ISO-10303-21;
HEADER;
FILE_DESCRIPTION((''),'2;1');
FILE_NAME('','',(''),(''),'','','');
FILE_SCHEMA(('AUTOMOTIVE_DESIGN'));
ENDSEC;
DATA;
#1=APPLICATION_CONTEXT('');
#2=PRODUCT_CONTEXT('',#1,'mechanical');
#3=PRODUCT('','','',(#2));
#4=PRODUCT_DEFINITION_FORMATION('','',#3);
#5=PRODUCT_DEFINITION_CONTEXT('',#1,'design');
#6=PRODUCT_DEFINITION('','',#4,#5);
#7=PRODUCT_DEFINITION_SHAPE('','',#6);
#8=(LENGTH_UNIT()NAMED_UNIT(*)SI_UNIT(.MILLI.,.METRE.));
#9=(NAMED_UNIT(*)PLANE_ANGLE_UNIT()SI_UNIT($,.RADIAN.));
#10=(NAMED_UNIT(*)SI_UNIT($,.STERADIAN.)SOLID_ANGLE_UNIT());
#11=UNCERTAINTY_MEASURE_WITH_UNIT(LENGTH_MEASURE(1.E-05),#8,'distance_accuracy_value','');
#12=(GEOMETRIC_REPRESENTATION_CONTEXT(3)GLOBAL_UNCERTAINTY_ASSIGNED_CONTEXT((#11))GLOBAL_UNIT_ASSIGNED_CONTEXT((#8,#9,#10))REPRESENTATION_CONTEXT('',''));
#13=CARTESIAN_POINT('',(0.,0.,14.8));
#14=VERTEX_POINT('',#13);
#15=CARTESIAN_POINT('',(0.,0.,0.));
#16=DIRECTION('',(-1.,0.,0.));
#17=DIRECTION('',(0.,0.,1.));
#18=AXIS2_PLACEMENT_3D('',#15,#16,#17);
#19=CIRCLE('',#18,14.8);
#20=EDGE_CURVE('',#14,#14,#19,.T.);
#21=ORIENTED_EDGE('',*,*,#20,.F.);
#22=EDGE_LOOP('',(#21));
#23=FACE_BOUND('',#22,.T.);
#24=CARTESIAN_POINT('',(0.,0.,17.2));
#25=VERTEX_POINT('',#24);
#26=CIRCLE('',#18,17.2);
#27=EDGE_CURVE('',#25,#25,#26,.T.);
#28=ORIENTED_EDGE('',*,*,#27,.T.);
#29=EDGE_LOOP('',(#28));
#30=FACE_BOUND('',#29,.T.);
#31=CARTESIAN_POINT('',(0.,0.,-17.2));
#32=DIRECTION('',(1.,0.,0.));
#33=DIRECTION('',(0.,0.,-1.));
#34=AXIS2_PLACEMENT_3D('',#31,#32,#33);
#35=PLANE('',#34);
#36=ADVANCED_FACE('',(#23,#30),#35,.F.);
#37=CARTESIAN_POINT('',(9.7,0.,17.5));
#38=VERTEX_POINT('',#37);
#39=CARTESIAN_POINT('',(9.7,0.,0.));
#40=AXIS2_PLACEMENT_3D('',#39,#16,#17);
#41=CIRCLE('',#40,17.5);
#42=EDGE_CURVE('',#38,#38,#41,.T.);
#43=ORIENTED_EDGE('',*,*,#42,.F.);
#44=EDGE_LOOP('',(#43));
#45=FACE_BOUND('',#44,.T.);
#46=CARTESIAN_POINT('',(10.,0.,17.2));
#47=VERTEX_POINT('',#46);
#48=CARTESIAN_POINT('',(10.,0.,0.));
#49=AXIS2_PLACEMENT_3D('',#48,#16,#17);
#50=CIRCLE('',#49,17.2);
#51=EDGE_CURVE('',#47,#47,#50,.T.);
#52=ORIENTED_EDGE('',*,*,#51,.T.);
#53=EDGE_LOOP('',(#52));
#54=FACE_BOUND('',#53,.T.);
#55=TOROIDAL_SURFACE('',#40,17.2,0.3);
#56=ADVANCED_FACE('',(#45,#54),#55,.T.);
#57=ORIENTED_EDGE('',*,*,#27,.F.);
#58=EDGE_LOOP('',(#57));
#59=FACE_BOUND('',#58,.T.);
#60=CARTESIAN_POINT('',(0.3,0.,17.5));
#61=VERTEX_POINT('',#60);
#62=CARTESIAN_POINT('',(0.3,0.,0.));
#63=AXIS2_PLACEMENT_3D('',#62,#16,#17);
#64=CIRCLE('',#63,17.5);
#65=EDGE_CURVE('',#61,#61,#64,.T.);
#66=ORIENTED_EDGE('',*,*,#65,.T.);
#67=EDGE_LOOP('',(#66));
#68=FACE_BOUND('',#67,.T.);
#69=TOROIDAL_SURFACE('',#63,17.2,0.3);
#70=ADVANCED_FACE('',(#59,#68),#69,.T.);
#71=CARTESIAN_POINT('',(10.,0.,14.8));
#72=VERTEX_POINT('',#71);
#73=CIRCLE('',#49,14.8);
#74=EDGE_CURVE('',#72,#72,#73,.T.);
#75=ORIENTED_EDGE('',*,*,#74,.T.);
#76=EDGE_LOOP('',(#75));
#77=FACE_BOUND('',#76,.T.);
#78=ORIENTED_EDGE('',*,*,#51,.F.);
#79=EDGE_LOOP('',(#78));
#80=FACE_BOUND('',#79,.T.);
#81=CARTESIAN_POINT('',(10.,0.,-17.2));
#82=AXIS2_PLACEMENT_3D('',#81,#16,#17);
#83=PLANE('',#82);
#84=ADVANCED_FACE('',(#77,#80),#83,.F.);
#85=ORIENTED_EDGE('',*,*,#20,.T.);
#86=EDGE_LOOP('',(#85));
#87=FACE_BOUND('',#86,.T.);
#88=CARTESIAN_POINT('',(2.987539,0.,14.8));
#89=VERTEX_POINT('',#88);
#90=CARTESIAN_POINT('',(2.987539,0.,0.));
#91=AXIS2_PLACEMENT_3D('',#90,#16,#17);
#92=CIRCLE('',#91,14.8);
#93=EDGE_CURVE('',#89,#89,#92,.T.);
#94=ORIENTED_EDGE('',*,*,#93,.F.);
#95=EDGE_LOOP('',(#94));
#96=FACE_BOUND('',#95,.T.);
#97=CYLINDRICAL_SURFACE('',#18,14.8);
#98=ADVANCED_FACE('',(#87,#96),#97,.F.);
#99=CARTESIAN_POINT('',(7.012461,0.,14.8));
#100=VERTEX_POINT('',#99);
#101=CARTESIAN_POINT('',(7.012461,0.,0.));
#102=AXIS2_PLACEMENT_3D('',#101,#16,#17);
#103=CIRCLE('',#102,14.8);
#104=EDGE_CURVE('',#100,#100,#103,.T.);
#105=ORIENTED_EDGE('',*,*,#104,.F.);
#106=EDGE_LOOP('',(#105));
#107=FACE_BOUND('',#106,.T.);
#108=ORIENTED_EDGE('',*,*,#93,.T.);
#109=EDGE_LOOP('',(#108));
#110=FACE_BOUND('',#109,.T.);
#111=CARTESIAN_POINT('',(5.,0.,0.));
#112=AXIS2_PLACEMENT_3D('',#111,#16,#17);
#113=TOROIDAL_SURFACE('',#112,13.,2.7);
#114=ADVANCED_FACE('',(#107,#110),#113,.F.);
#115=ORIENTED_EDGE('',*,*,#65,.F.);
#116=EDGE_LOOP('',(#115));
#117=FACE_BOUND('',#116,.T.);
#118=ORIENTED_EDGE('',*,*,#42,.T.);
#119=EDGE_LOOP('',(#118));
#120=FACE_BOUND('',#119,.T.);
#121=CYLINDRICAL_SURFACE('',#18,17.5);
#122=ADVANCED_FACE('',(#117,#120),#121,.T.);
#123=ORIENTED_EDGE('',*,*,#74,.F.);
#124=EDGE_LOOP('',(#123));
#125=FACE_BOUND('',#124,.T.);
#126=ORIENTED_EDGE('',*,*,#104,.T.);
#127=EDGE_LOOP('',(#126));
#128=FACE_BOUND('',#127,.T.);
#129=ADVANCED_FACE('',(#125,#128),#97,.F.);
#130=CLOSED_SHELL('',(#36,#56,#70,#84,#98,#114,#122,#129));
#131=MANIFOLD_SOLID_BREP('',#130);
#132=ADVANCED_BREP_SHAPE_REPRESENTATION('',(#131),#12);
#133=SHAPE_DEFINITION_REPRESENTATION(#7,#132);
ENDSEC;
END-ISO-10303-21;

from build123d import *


with BuildPart() as part:
    # Esquisse1 → Base-Révolution (revolve)
    with BuildSketch(Plane(origin=(0, 0, 0), x_dir=(1, 0, 0), z_dir=(0, 1, 0))):
        with BuildLine():
            Line((0, 17.2), (0, 14.8))
            Line((0, 14.8), (2.98753882, 14.8))
            ThreePointArc((2.98753882, 14.8), (5, 15.7), (7.01246118, 14.8))
            Line((7.01246118, 14.8), (10, 14.8))
            Line((10, 14.8), (10, 17.2))
            ThreePointArc((10, 17.2), (9.912132034, 17.412132034), (9.7, 17.5))
            Line((9.7, 17.5), (0.3, 17.5))
            ThreePointArc((0.3, 17.5), (0.087867966, 17.412132034), (0, 17.2))
        make_face()
    revolve(axis=Axis((0, 0, 0), (1, 0, 0)))


solid = part.part
